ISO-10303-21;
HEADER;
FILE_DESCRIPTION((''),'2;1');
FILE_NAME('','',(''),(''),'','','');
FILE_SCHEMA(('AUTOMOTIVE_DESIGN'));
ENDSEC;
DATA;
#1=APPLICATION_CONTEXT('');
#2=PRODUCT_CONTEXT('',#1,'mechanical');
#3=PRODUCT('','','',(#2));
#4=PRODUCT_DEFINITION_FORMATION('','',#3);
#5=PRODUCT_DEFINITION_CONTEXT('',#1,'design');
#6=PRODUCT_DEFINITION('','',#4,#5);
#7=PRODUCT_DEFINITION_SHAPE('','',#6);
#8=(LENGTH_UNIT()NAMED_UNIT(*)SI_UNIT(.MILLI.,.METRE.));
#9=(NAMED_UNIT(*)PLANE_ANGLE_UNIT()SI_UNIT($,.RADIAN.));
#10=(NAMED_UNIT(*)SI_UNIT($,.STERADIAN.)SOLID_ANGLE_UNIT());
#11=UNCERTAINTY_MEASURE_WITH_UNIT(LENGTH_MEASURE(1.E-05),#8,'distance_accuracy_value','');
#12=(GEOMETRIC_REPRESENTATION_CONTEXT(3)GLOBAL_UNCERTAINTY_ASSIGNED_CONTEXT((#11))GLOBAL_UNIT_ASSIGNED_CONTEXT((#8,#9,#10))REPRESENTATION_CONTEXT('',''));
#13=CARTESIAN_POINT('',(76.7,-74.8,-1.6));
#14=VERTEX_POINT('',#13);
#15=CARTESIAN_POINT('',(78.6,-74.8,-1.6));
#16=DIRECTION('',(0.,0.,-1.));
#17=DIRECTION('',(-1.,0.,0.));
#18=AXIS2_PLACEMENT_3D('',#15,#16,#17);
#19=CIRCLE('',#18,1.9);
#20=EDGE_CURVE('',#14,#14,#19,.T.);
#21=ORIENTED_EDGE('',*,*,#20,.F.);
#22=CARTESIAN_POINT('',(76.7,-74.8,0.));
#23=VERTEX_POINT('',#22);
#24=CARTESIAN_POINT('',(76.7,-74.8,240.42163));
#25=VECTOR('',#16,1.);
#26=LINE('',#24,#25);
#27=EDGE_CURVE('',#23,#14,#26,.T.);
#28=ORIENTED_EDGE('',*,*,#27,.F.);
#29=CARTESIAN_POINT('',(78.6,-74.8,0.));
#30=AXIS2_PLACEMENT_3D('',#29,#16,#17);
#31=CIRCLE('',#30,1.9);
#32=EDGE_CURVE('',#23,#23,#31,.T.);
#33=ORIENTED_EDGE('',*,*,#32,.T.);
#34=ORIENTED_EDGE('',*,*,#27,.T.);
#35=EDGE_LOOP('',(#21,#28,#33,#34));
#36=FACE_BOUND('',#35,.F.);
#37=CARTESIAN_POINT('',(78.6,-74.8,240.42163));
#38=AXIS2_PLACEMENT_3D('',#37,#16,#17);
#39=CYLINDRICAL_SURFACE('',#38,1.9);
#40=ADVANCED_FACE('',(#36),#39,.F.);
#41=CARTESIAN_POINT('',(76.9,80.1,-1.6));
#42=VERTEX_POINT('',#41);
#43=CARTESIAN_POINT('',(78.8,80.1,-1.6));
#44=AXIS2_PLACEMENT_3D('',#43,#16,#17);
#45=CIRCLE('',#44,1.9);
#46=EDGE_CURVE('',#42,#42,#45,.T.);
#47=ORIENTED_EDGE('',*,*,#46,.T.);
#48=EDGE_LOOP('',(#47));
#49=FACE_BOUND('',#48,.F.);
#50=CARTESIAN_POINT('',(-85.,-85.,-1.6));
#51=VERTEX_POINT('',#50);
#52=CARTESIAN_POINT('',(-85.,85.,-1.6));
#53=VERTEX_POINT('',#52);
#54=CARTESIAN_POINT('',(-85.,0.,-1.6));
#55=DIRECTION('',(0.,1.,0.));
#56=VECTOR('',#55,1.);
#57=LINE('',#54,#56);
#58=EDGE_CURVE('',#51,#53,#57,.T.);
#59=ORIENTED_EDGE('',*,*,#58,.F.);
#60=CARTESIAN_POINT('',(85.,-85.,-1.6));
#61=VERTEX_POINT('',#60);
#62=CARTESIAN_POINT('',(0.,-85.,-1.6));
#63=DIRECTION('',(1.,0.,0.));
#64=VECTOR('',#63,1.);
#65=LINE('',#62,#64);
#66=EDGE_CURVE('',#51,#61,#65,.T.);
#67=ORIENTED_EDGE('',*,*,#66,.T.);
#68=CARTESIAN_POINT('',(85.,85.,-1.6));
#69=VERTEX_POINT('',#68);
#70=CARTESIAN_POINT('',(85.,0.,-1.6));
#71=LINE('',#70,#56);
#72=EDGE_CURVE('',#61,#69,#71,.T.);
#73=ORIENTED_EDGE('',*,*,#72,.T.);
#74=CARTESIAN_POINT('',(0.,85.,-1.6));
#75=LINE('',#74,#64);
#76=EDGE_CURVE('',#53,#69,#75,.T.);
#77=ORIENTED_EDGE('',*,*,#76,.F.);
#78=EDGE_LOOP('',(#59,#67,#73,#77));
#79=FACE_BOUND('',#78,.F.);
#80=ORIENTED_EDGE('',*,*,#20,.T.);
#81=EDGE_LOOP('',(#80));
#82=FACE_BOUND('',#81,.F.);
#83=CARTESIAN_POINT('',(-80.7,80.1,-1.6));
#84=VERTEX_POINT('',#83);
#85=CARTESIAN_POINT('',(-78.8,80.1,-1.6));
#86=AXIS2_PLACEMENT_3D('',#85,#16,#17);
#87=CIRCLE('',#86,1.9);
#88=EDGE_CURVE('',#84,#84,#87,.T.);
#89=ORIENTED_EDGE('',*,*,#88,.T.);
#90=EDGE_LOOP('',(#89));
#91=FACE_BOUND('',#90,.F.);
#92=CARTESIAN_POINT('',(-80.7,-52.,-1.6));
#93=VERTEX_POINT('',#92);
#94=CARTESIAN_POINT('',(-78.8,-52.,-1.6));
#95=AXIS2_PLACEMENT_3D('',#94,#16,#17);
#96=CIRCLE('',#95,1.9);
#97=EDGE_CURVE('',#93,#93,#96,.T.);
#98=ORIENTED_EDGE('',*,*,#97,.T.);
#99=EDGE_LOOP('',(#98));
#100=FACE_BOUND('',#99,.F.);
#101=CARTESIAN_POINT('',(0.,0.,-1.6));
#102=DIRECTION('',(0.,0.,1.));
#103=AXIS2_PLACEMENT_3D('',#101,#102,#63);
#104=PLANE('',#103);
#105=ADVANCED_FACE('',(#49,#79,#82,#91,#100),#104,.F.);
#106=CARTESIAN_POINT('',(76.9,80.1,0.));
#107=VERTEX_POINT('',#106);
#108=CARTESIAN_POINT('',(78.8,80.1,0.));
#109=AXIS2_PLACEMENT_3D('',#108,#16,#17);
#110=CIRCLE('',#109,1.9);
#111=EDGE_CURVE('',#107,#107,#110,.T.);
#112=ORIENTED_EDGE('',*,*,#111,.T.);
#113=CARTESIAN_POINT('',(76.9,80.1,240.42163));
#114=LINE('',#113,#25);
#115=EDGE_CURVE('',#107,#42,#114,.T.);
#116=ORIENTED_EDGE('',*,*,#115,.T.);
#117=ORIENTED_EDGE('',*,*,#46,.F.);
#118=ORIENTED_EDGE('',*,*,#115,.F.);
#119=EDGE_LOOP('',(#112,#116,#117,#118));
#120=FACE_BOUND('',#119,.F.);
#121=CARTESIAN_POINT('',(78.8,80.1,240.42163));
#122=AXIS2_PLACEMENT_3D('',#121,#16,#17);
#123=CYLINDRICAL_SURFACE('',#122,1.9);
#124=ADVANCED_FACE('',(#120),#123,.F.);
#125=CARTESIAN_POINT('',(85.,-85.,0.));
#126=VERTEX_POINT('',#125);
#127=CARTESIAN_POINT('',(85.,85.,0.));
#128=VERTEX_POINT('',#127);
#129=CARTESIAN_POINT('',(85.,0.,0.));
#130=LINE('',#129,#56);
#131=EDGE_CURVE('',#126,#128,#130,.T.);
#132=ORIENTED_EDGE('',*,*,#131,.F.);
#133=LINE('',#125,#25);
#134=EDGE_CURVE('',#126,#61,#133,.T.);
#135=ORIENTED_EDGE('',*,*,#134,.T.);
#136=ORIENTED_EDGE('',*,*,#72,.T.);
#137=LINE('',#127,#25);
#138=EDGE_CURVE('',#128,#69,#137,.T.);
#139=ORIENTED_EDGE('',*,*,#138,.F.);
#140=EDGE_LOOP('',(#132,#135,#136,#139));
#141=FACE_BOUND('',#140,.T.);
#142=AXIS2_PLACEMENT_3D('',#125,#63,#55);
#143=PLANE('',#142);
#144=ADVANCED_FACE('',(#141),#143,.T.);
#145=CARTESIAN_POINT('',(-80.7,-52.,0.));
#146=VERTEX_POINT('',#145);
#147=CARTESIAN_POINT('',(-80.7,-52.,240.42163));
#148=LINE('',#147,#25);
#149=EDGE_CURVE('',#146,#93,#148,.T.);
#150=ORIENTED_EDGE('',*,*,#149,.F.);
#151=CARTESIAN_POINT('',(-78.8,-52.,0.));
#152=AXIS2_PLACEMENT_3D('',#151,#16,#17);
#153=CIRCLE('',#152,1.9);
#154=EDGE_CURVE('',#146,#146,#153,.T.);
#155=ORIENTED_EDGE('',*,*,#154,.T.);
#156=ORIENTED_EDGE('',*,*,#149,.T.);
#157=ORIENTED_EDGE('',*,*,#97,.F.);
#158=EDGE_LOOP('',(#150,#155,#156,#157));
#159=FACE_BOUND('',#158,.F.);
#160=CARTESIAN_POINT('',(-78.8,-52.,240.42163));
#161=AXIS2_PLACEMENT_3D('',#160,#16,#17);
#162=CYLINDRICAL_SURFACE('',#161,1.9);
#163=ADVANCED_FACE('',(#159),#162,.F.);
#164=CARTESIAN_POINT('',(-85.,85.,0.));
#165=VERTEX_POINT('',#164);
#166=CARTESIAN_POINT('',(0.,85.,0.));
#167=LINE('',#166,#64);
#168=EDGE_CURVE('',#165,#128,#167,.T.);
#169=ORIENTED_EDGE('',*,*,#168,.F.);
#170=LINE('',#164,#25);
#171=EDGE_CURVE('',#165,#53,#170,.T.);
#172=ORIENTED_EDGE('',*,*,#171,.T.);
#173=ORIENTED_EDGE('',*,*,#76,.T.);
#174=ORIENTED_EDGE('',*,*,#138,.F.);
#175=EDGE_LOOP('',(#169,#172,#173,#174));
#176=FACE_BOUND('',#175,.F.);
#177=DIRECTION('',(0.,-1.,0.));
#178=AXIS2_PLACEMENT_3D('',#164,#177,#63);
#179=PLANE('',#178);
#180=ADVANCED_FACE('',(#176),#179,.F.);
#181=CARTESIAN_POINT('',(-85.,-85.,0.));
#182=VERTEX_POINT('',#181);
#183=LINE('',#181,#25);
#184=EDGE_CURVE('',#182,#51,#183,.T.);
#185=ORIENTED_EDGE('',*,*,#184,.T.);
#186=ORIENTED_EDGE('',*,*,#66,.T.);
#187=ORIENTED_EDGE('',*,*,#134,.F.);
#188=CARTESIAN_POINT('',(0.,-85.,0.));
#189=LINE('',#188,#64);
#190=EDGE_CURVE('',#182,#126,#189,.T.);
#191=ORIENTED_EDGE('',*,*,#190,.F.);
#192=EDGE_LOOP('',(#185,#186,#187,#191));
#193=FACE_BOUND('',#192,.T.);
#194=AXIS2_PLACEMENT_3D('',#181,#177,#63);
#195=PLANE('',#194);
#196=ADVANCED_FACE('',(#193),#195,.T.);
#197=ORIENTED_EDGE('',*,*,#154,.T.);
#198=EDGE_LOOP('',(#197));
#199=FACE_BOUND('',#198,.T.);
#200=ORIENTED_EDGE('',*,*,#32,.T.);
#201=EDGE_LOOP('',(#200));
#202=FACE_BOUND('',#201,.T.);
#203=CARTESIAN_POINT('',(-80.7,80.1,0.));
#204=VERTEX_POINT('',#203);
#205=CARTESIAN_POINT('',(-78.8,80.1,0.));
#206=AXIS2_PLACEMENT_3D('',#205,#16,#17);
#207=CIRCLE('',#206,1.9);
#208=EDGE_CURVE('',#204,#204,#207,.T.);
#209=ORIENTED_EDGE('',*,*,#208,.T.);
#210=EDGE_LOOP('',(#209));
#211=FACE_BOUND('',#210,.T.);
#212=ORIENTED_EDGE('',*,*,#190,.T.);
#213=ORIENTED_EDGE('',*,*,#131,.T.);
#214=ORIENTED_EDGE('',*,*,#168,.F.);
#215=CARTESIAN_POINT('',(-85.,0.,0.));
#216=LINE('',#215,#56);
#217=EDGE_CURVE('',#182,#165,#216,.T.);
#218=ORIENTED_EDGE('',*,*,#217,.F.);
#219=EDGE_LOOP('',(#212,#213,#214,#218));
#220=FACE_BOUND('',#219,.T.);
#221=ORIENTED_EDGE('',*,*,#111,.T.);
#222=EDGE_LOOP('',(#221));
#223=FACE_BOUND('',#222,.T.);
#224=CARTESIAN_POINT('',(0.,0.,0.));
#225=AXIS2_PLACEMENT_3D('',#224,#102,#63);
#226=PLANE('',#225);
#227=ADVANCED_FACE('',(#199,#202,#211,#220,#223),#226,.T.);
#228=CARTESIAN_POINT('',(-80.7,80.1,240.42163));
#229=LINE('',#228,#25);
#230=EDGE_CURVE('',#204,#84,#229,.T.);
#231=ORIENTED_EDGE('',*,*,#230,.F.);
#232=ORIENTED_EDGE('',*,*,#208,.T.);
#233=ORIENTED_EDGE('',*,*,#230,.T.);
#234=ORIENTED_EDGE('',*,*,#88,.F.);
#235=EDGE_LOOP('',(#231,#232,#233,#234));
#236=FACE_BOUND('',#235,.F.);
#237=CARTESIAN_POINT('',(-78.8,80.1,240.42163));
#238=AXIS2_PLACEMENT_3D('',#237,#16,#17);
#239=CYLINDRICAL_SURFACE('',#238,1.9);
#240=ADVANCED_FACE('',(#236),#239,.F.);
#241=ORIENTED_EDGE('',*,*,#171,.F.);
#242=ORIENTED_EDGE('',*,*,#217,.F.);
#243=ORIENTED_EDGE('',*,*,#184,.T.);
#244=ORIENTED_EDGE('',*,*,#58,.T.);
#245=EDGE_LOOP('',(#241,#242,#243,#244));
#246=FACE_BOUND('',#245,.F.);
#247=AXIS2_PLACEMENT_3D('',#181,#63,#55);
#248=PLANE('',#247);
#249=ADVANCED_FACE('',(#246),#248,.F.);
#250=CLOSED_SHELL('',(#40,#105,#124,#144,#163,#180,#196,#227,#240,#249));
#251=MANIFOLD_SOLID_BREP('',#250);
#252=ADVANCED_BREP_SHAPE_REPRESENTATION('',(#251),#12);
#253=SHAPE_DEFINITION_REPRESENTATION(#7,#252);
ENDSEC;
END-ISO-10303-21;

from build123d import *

# Parameters (mm, degrees)
F0_W     = 170
F0_H     = 170
F1_DEPTH = 1.6
F2_D     = 3.8


with BuildPart() as f1:
    # F0 (on Top) → F1 (new body)
    with BuildSketch(Plane.XY):
        Rectangle(F0_W, F0_H)
    extrude(amount=-F1_DEPTH)

    # F2 (through all)
    with Locations(Plane.XY):
        with Locations((78.8, 80.1), (78.6, -74.8), (-78.8, -52), (-78.8, 80.1)):
            Hole(F2_D / 2)


solid = f1.part
